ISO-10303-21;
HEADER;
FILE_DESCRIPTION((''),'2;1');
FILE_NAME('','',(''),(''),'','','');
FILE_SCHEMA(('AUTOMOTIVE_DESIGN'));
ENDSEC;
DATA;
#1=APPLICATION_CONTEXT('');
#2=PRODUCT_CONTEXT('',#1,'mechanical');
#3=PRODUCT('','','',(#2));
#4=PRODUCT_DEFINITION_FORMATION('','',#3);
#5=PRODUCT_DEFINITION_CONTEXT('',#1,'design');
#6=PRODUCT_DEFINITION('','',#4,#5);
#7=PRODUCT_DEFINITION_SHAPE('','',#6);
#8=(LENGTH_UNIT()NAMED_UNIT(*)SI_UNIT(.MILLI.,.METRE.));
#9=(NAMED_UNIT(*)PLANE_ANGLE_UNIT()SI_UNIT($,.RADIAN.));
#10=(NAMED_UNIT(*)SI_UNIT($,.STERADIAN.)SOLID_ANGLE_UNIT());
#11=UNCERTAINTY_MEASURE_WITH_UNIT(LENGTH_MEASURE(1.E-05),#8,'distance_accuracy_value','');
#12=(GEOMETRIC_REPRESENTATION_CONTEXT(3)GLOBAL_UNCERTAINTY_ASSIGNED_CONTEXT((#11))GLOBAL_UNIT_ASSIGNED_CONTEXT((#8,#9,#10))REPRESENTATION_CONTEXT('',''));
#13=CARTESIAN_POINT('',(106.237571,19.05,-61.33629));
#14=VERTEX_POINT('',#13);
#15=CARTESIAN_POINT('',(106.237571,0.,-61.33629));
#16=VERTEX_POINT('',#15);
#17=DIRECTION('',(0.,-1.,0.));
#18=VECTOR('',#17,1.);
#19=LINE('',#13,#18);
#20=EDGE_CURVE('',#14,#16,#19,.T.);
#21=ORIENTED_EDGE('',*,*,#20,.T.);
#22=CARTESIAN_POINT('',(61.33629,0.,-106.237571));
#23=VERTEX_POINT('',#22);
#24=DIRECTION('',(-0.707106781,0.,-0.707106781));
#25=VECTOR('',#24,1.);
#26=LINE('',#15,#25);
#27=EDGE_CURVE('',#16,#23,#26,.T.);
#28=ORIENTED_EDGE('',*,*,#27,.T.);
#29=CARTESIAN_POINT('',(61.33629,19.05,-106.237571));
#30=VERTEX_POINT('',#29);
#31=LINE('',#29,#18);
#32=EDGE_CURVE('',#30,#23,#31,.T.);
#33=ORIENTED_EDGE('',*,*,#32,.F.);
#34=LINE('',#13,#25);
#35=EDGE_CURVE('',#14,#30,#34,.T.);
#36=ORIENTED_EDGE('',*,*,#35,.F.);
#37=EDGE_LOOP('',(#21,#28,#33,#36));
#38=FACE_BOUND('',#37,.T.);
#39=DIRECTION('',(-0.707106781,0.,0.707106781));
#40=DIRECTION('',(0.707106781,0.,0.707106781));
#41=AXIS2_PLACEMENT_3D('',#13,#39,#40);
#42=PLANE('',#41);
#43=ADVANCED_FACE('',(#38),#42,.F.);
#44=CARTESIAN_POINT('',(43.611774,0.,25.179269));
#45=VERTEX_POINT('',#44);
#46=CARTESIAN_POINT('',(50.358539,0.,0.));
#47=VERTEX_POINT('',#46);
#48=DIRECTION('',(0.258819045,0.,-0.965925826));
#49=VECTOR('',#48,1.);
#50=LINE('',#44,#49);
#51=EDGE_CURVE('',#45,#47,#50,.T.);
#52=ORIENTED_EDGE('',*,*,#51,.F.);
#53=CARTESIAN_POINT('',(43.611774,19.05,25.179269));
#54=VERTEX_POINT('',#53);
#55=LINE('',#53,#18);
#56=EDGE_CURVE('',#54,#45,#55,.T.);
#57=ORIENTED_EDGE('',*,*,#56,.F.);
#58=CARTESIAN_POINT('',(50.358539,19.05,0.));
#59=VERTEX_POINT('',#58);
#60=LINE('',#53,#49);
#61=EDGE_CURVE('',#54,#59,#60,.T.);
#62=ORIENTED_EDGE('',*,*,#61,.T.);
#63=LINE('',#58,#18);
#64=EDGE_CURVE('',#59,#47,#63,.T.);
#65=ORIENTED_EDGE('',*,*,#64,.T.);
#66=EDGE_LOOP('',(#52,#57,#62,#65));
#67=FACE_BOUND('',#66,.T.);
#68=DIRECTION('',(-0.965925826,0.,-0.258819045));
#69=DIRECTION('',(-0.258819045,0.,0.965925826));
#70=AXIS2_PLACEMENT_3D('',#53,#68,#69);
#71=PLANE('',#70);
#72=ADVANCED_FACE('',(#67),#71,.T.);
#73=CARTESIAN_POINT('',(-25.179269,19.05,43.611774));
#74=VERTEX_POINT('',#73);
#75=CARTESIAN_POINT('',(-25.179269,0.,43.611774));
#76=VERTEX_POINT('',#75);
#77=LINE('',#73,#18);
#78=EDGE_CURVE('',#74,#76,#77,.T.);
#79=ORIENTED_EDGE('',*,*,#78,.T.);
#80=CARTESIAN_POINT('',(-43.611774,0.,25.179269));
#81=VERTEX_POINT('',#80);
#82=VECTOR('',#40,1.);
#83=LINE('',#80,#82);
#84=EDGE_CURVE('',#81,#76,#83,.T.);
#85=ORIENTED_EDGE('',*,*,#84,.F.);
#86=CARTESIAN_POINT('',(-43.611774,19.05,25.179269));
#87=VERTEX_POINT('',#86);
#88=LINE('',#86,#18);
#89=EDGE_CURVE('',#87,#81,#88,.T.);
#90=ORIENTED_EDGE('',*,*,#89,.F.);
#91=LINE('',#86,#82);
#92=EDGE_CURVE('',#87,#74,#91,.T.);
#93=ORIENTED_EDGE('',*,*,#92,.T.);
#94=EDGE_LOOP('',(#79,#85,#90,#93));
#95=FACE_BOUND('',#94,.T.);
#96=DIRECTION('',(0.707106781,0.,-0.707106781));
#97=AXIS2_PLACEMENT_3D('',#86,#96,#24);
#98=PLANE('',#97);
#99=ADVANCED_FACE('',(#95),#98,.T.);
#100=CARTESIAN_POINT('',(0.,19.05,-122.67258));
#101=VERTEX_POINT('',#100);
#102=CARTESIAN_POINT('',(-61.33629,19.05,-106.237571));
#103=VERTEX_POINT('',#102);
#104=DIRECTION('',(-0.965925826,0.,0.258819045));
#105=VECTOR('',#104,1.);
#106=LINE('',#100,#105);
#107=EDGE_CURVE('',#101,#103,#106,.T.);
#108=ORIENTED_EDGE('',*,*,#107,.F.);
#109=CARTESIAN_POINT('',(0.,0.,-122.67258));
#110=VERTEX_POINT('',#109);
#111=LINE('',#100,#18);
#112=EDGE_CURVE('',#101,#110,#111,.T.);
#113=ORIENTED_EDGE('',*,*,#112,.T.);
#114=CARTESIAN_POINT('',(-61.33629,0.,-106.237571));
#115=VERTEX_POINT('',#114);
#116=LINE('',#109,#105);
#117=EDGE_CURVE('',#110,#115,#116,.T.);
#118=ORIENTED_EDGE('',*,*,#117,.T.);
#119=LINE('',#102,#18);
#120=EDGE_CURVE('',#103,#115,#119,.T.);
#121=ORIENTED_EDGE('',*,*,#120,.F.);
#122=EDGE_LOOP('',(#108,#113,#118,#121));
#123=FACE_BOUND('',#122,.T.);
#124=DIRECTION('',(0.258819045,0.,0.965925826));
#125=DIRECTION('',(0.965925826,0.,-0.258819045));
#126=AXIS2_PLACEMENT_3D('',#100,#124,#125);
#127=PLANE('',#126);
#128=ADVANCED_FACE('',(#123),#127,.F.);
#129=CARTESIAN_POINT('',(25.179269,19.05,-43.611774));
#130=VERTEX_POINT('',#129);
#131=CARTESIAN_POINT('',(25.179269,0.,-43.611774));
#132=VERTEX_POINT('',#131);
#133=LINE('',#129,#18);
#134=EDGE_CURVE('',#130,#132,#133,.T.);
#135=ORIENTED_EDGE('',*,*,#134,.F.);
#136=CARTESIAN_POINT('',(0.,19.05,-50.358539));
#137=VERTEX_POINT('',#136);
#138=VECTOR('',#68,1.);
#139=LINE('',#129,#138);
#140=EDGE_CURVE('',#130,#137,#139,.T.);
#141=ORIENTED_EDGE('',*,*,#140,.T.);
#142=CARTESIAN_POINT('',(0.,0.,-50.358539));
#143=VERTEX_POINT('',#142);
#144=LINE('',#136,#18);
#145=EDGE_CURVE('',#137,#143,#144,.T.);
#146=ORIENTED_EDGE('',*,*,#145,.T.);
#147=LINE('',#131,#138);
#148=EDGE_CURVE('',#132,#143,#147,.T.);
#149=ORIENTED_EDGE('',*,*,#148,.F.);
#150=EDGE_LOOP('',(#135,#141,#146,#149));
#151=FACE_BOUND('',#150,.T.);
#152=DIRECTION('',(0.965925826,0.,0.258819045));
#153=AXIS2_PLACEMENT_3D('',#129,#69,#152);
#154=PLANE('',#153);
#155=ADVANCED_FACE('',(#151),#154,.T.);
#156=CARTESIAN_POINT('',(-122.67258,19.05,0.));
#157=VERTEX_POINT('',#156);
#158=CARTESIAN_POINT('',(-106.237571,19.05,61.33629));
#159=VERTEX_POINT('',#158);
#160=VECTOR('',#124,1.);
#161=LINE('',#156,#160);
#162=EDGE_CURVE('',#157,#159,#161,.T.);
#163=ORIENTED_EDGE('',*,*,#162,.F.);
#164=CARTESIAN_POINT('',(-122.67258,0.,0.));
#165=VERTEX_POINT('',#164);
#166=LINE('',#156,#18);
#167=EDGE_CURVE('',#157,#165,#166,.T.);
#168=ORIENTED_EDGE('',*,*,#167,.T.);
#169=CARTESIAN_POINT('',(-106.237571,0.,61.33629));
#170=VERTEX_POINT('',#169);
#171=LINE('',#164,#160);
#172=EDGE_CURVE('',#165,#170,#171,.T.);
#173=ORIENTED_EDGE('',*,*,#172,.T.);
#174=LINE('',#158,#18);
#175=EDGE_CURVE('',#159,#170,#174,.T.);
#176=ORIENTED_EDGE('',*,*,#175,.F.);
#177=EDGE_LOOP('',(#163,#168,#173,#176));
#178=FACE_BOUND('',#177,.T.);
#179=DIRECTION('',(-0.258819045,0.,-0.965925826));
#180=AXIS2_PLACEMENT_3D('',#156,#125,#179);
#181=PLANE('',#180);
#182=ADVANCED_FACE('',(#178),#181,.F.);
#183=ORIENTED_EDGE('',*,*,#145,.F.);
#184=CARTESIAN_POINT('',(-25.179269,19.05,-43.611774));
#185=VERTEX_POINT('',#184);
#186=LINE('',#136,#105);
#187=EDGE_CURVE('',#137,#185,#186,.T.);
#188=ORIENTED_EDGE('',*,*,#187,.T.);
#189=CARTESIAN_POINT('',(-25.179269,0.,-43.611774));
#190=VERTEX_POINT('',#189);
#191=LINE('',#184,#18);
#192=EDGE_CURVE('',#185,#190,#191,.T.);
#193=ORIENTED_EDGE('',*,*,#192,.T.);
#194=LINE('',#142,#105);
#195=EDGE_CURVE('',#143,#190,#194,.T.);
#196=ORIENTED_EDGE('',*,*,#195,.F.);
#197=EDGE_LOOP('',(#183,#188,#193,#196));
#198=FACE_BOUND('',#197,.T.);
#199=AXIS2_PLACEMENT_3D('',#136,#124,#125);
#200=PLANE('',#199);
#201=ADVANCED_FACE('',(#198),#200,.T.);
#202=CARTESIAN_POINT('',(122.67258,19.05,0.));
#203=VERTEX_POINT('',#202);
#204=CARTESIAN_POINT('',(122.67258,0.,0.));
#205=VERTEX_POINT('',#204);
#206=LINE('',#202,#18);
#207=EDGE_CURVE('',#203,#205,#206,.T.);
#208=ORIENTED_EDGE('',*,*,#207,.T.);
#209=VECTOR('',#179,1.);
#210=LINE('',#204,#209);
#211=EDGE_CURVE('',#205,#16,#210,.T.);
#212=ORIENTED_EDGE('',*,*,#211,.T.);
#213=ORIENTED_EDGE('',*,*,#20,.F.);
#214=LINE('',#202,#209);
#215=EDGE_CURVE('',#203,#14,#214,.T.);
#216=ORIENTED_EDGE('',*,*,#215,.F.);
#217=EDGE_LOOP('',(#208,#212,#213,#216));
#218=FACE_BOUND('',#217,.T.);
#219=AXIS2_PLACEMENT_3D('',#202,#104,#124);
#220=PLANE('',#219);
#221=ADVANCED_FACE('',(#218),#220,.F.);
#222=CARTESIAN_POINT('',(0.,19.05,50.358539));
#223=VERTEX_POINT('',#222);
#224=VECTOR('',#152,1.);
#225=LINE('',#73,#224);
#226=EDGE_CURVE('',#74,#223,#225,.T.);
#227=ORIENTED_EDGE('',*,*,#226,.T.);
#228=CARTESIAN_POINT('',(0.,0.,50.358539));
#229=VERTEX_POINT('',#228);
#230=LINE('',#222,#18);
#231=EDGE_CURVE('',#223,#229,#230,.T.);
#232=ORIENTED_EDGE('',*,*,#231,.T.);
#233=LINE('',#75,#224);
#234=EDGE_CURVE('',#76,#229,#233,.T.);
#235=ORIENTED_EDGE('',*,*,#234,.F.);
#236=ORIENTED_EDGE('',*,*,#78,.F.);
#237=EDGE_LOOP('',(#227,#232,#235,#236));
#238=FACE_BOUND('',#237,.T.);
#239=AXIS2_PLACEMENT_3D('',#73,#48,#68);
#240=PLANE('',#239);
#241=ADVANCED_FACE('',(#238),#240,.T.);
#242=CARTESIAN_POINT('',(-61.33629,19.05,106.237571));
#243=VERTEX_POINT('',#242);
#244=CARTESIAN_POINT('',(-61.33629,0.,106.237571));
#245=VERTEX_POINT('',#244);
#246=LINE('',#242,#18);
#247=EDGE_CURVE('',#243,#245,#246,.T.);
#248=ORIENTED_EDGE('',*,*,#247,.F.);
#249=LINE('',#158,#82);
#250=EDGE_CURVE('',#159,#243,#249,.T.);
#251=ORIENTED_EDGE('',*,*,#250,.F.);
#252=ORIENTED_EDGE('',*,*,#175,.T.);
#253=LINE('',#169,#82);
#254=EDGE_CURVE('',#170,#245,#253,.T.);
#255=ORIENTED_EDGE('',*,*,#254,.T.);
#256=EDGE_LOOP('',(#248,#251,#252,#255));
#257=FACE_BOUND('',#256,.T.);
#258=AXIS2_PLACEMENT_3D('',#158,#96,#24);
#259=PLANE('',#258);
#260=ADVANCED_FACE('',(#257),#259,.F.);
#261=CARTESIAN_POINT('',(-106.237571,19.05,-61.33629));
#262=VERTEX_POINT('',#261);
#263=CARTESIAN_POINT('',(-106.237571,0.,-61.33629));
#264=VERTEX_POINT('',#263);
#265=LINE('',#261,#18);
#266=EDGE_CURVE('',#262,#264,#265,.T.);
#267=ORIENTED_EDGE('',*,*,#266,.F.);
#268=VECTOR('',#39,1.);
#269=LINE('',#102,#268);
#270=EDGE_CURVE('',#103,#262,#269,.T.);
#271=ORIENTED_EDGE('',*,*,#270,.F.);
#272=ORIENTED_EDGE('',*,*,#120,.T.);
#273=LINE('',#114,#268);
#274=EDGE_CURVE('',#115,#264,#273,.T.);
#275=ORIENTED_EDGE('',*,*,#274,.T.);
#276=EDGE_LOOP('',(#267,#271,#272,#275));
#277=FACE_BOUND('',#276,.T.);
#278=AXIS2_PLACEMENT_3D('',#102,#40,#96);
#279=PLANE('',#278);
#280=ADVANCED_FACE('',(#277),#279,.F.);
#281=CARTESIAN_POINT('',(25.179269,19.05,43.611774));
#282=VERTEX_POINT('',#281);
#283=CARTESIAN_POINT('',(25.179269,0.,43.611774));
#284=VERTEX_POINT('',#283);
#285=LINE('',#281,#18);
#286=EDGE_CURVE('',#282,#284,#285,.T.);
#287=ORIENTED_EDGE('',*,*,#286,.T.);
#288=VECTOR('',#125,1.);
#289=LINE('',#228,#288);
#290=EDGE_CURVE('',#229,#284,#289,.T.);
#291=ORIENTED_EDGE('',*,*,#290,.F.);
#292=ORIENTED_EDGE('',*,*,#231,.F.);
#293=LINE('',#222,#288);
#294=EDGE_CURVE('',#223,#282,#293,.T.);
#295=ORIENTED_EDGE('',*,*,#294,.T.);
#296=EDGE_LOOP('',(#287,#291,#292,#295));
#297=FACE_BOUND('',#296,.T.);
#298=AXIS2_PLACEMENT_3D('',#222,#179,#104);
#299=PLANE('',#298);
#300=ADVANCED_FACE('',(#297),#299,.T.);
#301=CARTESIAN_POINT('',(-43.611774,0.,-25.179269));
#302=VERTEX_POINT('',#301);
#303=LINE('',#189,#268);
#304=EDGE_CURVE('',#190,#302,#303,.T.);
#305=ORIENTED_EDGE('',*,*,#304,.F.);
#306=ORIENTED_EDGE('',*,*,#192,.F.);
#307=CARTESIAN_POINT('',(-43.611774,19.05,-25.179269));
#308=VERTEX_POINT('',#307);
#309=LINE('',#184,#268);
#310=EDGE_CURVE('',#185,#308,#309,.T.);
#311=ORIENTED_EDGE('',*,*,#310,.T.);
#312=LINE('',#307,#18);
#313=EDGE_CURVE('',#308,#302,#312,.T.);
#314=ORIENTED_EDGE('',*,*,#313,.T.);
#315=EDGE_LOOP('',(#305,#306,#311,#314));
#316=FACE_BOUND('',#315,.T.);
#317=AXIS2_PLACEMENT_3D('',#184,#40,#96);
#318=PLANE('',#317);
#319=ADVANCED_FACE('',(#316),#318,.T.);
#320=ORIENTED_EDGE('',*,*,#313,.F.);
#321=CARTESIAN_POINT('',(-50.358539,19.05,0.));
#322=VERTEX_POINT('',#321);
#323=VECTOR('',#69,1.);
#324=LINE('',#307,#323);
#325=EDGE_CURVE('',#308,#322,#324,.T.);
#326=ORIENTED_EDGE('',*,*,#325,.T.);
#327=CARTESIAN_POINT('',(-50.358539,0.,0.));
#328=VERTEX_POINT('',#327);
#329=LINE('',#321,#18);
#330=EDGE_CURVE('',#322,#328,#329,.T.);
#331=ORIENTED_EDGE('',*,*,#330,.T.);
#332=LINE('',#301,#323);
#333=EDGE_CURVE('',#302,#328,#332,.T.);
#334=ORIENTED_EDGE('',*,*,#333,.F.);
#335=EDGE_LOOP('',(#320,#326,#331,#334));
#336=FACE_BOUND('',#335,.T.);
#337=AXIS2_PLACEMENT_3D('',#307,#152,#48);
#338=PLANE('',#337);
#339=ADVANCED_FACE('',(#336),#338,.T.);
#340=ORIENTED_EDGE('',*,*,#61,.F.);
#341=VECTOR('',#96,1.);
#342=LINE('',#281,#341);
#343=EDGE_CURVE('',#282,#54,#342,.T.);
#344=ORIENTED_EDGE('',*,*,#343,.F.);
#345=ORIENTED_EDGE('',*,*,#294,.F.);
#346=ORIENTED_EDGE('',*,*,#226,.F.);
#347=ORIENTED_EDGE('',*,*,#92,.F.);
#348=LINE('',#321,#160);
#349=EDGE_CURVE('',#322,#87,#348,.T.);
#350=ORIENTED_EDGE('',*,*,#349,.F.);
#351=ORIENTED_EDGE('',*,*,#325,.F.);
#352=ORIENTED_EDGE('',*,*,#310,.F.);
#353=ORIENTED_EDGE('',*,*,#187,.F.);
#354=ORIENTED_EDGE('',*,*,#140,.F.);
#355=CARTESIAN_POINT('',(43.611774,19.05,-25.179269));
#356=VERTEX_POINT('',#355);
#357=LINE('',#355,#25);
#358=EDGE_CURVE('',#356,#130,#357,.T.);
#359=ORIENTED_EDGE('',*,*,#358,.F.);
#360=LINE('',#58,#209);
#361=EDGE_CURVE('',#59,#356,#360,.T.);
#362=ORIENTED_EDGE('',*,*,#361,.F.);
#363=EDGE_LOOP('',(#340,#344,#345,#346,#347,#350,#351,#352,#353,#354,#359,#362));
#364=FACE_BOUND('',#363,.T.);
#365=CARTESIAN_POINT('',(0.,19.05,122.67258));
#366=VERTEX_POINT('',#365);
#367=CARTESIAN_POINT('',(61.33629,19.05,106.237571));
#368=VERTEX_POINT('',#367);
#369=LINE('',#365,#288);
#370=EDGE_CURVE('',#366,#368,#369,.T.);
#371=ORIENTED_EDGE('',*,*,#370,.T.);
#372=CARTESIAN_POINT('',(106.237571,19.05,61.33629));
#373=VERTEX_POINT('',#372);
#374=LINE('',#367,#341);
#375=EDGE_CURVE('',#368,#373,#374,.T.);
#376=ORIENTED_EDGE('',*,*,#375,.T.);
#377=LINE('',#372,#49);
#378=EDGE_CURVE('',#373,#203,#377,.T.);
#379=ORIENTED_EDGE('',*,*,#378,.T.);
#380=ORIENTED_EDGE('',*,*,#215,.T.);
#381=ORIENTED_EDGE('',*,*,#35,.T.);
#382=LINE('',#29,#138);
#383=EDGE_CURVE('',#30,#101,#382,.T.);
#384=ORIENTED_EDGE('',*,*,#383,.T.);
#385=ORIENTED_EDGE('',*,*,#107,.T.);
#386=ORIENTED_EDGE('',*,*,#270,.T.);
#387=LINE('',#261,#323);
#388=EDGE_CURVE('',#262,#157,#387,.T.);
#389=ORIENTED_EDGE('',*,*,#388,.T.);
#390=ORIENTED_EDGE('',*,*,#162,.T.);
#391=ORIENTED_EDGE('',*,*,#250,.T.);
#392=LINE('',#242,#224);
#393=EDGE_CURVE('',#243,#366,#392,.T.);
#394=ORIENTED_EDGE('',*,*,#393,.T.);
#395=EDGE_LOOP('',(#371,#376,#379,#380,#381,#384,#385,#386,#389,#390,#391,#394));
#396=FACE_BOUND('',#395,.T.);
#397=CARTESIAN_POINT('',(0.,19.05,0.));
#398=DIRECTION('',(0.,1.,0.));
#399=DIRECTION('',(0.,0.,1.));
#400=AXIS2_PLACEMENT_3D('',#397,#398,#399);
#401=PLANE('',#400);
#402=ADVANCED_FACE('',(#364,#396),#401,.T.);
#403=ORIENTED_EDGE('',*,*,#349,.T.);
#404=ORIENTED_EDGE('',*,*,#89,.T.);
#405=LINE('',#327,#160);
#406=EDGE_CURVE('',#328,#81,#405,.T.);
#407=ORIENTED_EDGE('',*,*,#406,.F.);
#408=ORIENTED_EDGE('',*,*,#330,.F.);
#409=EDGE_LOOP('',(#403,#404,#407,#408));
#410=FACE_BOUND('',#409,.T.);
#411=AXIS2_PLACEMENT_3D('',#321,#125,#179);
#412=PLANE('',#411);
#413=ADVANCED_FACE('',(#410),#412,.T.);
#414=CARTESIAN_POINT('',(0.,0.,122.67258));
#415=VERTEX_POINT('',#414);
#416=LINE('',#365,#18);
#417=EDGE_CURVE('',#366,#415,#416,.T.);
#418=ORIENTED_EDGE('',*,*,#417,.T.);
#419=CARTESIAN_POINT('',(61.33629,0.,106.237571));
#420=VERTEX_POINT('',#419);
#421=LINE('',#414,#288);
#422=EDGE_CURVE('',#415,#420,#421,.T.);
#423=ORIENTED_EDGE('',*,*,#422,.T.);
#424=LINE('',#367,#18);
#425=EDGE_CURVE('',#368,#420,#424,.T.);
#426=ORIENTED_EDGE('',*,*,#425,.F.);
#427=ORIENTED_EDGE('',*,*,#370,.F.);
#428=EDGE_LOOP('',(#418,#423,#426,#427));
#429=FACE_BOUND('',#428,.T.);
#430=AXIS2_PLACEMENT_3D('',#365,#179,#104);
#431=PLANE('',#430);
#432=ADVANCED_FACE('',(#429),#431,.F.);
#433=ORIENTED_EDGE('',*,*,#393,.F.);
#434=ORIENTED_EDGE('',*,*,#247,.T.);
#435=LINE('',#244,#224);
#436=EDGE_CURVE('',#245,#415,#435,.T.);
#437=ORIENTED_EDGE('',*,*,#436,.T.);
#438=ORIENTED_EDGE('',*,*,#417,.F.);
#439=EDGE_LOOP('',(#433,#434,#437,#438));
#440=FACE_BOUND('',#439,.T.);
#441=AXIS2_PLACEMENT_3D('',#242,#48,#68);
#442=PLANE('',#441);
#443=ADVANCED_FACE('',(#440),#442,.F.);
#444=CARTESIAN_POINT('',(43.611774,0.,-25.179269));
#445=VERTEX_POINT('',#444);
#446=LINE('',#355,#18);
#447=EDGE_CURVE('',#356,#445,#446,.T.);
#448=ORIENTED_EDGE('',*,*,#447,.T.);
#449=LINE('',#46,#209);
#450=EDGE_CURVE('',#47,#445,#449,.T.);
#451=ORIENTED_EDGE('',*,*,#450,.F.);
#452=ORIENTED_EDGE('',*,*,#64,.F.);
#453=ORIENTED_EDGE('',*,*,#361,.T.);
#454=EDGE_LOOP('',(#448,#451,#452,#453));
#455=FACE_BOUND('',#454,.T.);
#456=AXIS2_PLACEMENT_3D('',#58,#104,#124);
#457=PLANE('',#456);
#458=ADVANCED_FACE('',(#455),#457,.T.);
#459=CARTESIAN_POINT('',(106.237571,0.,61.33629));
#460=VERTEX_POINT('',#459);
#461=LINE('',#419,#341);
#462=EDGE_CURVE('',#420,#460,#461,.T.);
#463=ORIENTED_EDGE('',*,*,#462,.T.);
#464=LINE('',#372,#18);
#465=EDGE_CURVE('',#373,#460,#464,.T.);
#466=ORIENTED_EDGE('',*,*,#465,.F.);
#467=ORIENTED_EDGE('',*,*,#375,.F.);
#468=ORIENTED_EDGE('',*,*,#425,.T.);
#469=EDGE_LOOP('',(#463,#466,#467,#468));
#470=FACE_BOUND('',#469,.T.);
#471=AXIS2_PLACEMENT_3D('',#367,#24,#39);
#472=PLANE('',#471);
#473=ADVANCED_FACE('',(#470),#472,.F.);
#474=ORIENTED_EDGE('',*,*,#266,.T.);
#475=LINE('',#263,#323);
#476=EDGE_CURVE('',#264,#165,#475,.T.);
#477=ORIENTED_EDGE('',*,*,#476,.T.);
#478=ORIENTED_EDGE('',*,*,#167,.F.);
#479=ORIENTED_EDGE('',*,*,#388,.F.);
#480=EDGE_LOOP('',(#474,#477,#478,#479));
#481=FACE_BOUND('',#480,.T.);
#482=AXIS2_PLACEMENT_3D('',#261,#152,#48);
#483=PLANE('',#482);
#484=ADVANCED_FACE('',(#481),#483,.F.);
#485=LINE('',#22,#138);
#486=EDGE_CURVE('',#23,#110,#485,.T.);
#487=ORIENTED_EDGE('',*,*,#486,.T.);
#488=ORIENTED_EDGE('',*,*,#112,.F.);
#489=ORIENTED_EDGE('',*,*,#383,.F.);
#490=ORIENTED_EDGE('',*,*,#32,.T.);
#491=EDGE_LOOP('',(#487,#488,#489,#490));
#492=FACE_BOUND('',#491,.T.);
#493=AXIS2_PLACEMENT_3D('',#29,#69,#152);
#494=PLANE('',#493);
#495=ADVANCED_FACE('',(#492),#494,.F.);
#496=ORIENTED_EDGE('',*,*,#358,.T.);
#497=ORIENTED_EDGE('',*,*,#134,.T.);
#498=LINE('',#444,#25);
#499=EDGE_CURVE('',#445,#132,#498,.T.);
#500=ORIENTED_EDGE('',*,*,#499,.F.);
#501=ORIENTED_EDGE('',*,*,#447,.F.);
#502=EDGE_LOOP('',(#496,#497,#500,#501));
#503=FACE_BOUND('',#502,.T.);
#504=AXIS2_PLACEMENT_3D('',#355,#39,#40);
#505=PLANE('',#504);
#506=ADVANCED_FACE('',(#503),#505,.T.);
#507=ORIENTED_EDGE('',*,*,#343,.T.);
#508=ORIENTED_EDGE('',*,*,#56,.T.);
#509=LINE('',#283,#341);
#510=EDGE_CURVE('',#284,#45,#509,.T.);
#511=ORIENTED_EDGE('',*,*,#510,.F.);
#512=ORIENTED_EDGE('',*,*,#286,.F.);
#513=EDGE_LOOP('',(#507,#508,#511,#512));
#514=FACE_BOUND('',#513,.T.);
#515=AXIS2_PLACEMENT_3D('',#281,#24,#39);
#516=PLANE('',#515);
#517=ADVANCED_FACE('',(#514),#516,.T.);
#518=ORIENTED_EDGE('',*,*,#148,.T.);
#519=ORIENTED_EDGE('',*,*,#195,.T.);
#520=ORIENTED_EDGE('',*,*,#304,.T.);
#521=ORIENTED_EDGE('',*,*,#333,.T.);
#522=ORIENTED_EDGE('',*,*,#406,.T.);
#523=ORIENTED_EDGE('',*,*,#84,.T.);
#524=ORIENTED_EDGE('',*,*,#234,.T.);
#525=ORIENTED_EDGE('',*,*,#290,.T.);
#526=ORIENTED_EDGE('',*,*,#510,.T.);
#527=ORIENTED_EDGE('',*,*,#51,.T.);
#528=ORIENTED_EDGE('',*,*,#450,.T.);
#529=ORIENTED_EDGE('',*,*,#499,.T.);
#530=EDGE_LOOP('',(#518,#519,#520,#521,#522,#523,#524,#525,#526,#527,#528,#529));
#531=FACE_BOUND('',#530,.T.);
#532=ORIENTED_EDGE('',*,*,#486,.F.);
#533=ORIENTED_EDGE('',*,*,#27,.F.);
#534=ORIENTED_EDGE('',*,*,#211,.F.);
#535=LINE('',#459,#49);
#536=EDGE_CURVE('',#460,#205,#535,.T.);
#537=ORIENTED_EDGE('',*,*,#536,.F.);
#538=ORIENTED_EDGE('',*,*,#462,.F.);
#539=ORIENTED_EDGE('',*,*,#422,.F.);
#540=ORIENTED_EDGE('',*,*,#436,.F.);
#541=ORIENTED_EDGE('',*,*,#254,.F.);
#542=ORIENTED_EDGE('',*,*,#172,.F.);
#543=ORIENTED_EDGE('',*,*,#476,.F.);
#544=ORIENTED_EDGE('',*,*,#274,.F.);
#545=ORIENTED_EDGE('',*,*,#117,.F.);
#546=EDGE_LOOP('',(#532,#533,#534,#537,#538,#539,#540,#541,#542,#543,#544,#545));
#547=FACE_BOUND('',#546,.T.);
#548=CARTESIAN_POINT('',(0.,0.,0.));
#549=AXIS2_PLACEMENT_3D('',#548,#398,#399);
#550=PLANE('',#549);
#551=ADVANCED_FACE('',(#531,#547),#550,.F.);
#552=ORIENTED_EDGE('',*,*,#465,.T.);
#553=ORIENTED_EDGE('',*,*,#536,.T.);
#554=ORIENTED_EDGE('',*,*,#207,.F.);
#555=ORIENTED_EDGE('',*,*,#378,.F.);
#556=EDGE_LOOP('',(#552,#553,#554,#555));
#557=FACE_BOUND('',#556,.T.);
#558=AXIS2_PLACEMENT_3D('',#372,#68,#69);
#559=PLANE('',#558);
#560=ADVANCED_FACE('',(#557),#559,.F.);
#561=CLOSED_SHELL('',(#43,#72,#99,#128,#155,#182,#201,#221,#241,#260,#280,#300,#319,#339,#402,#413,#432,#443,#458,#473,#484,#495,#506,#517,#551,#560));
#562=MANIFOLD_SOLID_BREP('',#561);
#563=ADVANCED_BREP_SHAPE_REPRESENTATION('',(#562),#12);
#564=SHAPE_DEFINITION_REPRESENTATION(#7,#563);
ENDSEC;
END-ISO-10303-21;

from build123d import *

# Parameters (mm, degrees)
BOSS_EXTRUDE2_DEPTH = 19.05


with BuildPart() as part:
    # Sketch2 → Boss-Extrude2 (new body)
    with BuildSketch(Plane(origin=(0, 0, 0), x_dir=(1, 0, 0), z_dir=(0, 1, 0))):
        Polygon((-122.672579939, 0), (-106.237570575, -61.336289969), (-61.336289969, -106.237570575), (0, -122.672579939), (61.336289969, -106.237570575), (106.237570575, -61.336289969), (122.672579939, 0), (106.237570575, 61.336289969), (61.336289969, 106.237570575), (0, 122.672579939), (-61.336289969, 106.237570575), (-106.237570575, 61.336289969), align=None)
        Polygon((-50.358538737, 0), (-43.611773844, -25.179269369), (-25.179269369, -43.611773844), (0, -50.358538737), (25.179269369, -43.611773844), (43.611773844, -25.179269369), (50.358538737, 0), (43.611773844, 25.179269369), (25.179269369, 43.611773844), (0, 50.358538737), (-25.179269369, 43.611773844), (-43.611773844, 25.179269369), align=None, mode=Mode.SUBTRACT)
    extrude(amount=BOSS_EXTRUDE2_DEPTH)


solid = part.part
